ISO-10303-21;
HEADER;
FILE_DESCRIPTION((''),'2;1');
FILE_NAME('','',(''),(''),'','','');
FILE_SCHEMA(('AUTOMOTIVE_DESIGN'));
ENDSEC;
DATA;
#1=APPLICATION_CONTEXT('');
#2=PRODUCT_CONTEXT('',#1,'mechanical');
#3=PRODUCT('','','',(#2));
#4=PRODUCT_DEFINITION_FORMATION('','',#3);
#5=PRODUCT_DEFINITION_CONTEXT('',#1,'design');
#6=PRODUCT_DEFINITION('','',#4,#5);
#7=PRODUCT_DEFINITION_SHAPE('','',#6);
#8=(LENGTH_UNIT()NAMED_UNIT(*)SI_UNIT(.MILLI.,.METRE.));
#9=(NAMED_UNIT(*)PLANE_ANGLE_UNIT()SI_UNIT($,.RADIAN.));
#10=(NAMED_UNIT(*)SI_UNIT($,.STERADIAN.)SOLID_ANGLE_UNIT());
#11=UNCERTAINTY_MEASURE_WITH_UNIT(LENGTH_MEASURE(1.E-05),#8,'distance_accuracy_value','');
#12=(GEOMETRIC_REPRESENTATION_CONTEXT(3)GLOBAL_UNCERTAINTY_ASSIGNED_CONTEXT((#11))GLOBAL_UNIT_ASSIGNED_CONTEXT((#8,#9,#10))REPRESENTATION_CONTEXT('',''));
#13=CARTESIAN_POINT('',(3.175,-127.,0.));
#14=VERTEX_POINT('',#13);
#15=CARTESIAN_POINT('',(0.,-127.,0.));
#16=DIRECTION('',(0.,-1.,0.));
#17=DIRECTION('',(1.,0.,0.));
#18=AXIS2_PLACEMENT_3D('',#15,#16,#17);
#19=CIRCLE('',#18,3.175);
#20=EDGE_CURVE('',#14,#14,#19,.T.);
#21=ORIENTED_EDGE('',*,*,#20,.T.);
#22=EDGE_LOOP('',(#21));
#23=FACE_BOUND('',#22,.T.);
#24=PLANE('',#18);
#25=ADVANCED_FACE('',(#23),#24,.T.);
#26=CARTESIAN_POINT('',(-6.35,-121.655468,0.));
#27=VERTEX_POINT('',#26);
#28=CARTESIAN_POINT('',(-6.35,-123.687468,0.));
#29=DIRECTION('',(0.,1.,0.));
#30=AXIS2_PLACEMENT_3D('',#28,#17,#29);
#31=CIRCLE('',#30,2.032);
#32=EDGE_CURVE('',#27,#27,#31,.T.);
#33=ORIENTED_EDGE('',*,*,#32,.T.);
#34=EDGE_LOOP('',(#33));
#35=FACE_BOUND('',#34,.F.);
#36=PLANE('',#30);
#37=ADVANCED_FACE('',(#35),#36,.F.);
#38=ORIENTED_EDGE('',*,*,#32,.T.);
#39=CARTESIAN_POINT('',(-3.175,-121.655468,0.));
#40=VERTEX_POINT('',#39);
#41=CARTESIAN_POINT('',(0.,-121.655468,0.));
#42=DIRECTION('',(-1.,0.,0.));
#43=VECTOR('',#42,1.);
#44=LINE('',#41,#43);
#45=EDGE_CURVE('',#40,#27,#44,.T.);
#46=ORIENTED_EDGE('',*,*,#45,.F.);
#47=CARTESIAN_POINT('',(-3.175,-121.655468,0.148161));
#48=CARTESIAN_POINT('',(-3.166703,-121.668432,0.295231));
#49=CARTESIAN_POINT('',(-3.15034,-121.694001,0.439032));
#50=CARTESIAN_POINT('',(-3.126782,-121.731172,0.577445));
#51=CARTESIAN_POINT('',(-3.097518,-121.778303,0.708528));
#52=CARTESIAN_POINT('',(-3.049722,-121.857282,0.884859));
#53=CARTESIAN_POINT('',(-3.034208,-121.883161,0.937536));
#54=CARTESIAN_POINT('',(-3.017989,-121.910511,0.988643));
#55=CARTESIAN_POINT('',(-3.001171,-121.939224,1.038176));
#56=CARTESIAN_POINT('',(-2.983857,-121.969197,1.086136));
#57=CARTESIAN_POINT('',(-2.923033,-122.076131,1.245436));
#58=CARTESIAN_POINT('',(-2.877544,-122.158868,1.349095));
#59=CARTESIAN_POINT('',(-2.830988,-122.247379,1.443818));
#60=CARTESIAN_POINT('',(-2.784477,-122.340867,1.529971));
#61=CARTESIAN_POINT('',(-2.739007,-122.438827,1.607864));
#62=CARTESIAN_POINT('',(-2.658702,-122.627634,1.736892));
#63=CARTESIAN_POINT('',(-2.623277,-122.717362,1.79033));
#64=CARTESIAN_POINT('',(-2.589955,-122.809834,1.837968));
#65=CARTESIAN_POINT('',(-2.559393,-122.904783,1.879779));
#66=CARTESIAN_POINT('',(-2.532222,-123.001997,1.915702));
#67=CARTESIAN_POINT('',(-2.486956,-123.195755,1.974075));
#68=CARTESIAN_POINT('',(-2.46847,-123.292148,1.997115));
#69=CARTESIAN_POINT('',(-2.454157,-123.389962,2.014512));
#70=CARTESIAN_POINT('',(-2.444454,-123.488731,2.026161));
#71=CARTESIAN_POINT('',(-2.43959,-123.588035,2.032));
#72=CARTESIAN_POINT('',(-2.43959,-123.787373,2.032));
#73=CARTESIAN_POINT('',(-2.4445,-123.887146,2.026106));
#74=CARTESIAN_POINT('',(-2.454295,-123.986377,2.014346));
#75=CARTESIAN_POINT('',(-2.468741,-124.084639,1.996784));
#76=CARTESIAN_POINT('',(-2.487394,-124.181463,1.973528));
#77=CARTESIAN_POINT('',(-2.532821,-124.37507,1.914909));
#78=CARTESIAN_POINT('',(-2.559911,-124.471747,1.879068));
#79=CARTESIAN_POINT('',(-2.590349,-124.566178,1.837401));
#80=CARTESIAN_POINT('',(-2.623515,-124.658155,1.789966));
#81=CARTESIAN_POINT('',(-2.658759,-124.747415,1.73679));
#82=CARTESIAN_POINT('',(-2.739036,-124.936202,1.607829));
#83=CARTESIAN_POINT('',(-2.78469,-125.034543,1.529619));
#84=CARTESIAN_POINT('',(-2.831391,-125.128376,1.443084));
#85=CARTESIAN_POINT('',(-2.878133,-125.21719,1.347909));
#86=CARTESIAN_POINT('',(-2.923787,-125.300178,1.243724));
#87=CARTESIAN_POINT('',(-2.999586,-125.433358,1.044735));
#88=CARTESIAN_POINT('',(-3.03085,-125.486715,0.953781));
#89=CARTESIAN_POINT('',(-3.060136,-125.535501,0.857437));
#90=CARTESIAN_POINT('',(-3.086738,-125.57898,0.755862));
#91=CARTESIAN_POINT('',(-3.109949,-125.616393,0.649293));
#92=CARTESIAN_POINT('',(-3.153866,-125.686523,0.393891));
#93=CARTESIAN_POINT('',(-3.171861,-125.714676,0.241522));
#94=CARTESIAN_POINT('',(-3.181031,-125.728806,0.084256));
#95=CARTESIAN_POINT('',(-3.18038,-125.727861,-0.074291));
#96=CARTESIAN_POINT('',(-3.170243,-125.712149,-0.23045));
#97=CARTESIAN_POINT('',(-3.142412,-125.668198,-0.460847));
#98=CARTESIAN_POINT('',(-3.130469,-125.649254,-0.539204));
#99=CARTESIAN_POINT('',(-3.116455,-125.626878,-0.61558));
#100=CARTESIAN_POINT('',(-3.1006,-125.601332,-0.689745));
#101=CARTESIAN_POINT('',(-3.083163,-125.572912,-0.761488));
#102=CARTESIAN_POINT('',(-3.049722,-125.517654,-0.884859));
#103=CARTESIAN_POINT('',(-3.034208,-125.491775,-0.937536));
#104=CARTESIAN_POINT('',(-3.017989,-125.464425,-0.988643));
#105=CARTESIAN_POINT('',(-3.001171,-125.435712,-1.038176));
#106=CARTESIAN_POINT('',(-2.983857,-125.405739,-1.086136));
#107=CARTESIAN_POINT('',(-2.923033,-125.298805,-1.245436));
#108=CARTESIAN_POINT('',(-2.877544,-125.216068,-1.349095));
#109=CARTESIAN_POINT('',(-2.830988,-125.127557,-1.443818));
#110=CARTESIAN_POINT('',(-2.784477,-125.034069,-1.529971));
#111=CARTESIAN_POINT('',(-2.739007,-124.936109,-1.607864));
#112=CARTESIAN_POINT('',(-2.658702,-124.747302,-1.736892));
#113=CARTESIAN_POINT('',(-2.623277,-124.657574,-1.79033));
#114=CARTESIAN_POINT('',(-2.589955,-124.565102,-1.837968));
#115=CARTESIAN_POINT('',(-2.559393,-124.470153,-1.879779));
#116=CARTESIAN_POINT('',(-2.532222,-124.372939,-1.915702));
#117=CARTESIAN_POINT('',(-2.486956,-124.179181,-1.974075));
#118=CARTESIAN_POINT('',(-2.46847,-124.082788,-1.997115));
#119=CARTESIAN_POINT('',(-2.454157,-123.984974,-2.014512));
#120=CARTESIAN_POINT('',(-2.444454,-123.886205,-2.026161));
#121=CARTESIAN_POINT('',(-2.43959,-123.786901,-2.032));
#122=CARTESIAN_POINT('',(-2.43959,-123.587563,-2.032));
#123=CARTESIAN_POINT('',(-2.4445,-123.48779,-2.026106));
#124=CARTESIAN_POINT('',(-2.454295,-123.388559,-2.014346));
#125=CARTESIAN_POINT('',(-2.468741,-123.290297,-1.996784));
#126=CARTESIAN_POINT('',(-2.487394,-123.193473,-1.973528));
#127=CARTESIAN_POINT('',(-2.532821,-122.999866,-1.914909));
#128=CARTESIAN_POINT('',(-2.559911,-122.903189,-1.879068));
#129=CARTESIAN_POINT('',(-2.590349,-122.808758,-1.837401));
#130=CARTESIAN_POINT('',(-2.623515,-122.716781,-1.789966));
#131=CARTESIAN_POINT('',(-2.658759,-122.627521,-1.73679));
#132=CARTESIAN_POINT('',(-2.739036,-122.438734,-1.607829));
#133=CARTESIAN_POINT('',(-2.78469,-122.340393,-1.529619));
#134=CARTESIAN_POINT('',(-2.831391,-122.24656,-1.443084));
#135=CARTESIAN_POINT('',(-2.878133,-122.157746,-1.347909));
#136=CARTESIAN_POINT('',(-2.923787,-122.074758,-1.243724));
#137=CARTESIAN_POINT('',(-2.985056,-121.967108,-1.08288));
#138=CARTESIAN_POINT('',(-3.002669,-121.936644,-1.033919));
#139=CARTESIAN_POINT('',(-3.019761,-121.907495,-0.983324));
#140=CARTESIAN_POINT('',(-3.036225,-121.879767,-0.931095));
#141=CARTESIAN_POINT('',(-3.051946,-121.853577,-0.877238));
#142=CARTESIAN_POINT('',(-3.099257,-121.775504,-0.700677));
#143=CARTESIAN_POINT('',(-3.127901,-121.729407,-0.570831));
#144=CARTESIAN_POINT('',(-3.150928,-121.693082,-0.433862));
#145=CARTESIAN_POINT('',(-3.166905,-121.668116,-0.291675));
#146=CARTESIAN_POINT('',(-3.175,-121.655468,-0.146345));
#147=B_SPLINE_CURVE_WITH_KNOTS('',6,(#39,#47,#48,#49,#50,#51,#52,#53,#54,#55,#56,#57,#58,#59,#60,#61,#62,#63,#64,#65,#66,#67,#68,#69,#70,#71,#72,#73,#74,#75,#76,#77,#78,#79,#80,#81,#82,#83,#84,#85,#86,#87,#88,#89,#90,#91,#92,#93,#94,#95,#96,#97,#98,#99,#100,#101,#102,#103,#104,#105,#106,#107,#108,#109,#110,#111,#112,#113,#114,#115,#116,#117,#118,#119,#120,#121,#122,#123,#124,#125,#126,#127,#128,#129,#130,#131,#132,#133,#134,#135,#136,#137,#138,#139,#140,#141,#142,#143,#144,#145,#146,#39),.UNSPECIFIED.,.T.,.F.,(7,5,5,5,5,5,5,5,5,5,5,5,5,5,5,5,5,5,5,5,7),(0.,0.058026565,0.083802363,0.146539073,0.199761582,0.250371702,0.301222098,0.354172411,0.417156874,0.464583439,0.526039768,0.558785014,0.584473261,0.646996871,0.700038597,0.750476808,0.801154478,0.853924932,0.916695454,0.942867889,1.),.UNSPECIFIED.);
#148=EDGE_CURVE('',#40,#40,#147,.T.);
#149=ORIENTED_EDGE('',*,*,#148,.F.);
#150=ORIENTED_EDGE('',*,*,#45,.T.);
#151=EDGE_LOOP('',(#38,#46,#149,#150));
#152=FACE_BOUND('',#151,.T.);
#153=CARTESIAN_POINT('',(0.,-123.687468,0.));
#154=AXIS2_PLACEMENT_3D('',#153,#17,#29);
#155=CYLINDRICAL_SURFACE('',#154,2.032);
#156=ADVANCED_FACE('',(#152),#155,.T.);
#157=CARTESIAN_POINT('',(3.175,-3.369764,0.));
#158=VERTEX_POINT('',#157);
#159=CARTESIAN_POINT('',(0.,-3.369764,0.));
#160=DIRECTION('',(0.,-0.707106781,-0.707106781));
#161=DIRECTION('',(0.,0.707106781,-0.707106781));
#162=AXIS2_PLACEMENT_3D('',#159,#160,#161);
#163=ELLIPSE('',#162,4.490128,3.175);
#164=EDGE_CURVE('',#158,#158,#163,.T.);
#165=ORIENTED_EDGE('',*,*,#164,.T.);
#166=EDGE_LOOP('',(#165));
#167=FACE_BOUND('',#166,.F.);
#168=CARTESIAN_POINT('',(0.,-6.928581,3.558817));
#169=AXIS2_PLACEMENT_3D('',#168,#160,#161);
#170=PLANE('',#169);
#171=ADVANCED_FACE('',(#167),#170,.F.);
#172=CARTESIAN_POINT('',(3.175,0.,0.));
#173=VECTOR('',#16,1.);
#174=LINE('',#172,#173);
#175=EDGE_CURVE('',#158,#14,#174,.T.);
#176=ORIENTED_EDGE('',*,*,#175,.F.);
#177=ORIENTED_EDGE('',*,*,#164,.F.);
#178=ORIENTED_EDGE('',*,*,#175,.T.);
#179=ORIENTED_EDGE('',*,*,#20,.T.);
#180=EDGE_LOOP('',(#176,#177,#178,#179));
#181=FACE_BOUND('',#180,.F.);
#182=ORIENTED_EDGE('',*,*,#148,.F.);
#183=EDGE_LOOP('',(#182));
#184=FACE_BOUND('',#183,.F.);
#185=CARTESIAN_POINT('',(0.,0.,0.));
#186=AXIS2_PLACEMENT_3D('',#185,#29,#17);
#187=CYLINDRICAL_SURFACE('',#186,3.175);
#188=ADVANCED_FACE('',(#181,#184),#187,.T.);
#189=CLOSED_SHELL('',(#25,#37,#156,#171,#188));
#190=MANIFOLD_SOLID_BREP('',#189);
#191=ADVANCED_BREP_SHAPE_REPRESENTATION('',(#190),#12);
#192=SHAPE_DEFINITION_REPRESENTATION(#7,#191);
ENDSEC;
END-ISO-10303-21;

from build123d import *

# Parameters (mm, degrees)
F0_R     = 3.175
F1_DEPTH = 127
F2_R     = 2.032
F3_DEPTH = 6.35
F5_DEPTH = 12.7


with BuildPart() as f1:
    # F0 (on Front) → F1 (new body)
    with BuildSketch(Plane.XZ):
        Circle(F0_R)
    extrude(amount=F1_DEPTH)

    # F2 (on Right) → F3 (join)
    with BuildSketch(Plane.YZ):
        with Locations((-123.687468, 0)):
            Circle(F2_R)
    extrude(amount=-F3_DEPTH)

    # F4 (on Right) → F5 (cut, symmetric)
    with BuildSketch(Plane.YZ):
        Polygon((0.1524, -3.522164), (0.1524, 3.558817), (-6.928581, 3.558817), align=None)
    extrude(amount=F5_DEPTH, both=True, mode=Mode.SUBTRACT)


solid = f1.part
